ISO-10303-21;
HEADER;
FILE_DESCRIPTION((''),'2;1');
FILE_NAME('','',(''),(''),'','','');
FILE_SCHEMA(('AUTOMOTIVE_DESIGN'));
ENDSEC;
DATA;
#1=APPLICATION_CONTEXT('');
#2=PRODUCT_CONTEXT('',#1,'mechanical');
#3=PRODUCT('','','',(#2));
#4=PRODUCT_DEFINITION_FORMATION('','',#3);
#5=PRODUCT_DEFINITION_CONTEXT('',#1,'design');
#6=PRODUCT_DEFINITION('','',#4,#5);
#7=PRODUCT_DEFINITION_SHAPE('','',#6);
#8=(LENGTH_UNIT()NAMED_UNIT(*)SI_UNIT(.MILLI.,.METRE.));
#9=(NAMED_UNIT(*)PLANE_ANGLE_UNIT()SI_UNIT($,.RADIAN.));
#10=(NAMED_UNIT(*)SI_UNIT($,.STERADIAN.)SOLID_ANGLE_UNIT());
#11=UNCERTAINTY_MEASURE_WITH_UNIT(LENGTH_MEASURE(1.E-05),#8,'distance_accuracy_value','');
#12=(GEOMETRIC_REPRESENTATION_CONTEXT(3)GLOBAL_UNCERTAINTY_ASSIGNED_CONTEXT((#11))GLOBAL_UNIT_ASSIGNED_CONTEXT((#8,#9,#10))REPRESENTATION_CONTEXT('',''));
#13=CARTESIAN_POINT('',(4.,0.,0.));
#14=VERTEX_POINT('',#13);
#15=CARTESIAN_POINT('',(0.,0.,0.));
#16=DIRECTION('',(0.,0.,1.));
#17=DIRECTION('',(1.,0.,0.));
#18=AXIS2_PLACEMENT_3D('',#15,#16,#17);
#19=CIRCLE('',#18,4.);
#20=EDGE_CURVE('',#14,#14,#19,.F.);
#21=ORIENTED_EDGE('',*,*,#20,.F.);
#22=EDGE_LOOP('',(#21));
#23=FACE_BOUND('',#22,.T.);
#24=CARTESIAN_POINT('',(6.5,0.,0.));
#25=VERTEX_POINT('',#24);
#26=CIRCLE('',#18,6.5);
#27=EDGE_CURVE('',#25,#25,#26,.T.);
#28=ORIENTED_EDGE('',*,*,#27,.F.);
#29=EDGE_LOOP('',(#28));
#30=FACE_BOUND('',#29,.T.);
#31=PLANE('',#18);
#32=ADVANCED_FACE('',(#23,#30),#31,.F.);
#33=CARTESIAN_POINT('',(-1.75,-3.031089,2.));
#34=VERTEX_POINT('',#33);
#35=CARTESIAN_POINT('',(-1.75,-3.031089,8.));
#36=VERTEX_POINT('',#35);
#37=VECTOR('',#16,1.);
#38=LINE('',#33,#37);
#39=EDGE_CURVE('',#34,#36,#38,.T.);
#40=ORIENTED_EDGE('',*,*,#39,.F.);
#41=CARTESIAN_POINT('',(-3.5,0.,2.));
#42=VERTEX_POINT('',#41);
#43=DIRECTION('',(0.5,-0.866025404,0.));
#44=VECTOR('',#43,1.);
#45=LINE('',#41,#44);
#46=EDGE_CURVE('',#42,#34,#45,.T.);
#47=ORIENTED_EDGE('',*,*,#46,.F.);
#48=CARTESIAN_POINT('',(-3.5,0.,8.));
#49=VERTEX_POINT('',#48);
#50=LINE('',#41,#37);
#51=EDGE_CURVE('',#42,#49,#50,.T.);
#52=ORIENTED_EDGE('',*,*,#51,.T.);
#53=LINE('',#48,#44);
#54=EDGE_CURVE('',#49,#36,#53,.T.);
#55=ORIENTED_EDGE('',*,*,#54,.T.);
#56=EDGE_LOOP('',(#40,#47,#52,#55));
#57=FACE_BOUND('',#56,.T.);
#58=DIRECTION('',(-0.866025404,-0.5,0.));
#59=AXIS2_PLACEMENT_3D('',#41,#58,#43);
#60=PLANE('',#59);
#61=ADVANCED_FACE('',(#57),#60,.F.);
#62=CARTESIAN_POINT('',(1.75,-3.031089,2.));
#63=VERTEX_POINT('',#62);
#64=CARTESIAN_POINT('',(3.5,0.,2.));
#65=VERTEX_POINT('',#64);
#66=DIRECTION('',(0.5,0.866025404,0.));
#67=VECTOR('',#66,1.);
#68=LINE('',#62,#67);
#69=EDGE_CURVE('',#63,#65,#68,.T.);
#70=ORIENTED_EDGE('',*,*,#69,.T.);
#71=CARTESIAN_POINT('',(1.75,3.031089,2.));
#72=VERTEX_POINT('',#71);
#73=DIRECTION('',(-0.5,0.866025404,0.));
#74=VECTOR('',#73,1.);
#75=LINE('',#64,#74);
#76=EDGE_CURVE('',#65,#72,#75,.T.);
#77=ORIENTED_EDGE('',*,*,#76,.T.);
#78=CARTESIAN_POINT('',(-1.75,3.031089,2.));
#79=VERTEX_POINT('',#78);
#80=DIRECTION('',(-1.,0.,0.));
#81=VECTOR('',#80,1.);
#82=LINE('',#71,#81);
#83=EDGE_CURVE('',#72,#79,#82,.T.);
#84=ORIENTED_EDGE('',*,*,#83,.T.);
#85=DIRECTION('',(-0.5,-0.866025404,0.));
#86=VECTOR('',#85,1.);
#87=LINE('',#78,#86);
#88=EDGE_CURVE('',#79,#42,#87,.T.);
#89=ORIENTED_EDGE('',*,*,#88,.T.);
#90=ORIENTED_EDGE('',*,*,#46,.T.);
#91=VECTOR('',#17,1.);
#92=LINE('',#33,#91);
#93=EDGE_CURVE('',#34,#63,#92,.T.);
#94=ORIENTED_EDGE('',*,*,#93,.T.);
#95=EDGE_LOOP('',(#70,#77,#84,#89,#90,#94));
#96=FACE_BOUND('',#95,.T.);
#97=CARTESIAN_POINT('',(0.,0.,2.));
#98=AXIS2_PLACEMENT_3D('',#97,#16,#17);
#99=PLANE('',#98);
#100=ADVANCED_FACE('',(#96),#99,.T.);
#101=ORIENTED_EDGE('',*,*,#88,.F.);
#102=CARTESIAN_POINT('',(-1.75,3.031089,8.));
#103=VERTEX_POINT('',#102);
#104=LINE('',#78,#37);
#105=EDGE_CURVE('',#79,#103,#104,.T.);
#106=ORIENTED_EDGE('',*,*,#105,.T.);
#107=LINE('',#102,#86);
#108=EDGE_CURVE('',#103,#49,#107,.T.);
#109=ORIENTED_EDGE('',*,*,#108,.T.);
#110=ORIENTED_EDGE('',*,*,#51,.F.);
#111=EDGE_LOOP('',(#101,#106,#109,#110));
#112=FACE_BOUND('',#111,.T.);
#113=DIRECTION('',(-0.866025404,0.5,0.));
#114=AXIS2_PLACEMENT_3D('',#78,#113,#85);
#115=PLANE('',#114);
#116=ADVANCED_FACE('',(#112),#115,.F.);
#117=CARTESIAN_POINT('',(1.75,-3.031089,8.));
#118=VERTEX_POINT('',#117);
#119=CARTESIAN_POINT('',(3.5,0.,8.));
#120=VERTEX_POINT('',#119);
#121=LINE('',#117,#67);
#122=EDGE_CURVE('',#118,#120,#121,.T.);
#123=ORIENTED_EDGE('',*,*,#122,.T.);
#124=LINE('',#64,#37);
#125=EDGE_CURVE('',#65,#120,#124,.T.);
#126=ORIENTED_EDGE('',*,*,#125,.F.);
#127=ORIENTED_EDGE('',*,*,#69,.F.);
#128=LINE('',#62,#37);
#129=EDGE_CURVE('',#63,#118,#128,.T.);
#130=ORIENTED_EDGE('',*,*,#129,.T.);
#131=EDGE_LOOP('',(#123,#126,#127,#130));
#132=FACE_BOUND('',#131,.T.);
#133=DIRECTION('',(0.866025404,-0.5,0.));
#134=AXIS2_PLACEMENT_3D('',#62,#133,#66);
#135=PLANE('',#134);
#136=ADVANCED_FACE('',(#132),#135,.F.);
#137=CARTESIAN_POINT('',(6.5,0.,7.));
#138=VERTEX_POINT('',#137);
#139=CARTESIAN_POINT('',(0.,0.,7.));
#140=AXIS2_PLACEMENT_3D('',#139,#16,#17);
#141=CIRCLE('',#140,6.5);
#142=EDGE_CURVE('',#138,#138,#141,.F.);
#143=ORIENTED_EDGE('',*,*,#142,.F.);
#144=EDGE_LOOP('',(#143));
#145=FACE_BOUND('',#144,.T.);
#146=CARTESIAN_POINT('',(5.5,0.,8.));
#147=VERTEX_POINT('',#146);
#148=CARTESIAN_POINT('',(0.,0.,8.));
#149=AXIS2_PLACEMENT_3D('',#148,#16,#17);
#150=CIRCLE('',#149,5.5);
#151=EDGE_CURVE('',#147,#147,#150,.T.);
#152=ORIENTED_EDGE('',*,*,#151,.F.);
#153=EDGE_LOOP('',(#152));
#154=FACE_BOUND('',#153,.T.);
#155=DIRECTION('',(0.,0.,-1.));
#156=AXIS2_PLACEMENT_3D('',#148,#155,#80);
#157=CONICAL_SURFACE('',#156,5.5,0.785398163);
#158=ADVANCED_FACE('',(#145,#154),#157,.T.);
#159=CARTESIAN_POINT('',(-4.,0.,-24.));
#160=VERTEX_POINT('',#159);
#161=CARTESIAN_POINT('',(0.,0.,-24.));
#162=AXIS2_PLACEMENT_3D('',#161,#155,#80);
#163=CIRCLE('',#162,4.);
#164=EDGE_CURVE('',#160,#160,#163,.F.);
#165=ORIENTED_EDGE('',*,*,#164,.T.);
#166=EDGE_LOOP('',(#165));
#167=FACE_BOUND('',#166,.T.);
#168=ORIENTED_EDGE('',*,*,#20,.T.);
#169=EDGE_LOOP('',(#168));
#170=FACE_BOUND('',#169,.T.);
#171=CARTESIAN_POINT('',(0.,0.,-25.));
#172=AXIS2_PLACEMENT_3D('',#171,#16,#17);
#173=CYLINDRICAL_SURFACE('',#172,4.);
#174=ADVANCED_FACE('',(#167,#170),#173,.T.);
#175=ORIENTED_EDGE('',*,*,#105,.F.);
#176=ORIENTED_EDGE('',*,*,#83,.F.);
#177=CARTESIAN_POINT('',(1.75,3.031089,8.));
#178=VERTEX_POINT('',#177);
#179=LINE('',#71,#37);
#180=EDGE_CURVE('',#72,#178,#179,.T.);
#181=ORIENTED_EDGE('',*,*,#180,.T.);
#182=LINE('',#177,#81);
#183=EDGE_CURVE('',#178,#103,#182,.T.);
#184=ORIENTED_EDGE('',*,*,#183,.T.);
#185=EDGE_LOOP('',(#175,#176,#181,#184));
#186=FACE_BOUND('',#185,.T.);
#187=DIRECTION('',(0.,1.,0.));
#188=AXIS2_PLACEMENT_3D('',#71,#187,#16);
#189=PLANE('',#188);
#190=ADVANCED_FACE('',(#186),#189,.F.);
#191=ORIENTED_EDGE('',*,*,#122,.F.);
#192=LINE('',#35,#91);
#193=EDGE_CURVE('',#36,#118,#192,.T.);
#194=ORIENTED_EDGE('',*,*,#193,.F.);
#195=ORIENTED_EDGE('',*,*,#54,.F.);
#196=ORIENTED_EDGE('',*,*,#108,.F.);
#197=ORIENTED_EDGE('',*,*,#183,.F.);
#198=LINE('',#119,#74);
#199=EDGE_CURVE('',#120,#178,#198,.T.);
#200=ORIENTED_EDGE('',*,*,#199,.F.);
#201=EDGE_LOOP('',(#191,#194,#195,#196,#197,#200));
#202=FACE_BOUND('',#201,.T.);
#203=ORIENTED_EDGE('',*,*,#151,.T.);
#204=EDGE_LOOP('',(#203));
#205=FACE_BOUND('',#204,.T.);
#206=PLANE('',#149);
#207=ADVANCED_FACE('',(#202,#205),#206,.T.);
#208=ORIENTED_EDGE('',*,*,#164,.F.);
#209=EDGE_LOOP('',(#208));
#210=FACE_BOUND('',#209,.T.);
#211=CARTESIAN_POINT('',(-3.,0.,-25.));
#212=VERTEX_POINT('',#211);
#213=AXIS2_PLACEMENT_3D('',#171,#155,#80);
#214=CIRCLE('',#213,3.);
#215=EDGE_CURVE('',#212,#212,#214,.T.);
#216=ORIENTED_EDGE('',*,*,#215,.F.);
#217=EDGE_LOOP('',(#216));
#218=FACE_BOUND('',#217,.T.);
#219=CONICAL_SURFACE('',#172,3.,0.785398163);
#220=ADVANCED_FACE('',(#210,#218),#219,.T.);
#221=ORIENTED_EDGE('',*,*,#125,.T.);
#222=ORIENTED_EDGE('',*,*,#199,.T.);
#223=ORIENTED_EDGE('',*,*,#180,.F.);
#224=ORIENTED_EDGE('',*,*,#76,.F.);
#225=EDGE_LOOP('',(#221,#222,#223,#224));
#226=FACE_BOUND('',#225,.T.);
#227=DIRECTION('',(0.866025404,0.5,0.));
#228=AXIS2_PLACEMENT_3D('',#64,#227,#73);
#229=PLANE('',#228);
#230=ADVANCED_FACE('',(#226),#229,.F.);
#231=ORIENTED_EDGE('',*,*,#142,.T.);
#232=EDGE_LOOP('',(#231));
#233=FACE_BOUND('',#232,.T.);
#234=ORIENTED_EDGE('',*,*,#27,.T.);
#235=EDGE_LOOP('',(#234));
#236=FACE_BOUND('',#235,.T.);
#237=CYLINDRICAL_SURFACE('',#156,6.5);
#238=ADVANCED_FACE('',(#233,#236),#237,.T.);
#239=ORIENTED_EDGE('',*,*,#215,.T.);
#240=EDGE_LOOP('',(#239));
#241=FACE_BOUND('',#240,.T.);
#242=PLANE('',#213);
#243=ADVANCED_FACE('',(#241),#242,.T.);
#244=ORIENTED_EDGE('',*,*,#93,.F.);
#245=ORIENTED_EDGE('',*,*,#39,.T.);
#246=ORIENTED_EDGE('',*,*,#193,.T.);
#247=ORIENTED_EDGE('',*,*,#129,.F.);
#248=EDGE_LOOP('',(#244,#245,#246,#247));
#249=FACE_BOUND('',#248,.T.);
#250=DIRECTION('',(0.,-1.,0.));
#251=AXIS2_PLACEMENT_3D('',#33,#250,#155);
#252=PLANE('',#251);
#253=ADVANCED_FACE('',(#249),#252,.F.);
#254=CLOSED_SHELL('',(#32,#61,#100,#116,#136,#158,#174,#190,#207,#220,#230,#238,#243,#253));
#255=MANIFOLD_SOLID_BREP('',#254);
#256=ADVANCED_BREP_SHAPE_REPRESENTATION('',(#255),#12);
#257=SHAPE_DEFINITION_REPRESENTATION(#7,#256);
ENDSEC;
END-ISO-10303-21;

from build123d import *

# Parameters (mm, degrees)
CROQUIS1_R              = 6.5
SALIENTE_EXTRUIR1_DEPTH = 8
CROQUIS2_R              = 4
SALIENTE_EXTRUIR2_DEPTH = 25
CHAFL_N1_SIZE           = 1
CORTAR_EXTRUIR1_DEPTH   = 6


with BuildPart() as part:
    # Croquis1 → Saliente-Extruir1 (new body)
    with BuildSketch(Plane.XY):
        Circle(CROQUIS1_R)
    extrude(amount=SALIENTE_EXTRUIR1_DEPTH)

    # Croquis2 → Saliente-Extruir2 (add)
    with BuildSketch(Plane(origin=(0, 0, 0), x_dir=(-1, 0, 0), z_dir=(0, 0, -1))):
        with Locations(Location((0, 0, 0), (0, 0, 180))):
            Circle(CROQUIS2_R)
    extrude(amount=SALIENTE_EXTRUIR2_DEPTH)

    # Chaflán1
    chafl_n1_edges = [part.edges().sort_by_distance(p)[0] for p in [
        (-6.5, 0, 8),
        (-4, 0, -25),
    ]]
    chamfer(chafl_n1_edges, length=CHAFL_N1_SIZE)

    # Croquis3 → Cortar-Extruir1 (cut)
    with BuildSketch(Plane.XY.offset(8)):
        Polygon((3.5, 0), (1.75, 3.031088913), (-1.75, 3.031088913), (-3.5, 0), (-1.75, -3.031088913), (1.75, -3.031088913), align=None)
    extrude(amount=-CORTAR_EXTRUIR1_DEPTH, mode=Mode.SUBTRACT)


solid = part.part
